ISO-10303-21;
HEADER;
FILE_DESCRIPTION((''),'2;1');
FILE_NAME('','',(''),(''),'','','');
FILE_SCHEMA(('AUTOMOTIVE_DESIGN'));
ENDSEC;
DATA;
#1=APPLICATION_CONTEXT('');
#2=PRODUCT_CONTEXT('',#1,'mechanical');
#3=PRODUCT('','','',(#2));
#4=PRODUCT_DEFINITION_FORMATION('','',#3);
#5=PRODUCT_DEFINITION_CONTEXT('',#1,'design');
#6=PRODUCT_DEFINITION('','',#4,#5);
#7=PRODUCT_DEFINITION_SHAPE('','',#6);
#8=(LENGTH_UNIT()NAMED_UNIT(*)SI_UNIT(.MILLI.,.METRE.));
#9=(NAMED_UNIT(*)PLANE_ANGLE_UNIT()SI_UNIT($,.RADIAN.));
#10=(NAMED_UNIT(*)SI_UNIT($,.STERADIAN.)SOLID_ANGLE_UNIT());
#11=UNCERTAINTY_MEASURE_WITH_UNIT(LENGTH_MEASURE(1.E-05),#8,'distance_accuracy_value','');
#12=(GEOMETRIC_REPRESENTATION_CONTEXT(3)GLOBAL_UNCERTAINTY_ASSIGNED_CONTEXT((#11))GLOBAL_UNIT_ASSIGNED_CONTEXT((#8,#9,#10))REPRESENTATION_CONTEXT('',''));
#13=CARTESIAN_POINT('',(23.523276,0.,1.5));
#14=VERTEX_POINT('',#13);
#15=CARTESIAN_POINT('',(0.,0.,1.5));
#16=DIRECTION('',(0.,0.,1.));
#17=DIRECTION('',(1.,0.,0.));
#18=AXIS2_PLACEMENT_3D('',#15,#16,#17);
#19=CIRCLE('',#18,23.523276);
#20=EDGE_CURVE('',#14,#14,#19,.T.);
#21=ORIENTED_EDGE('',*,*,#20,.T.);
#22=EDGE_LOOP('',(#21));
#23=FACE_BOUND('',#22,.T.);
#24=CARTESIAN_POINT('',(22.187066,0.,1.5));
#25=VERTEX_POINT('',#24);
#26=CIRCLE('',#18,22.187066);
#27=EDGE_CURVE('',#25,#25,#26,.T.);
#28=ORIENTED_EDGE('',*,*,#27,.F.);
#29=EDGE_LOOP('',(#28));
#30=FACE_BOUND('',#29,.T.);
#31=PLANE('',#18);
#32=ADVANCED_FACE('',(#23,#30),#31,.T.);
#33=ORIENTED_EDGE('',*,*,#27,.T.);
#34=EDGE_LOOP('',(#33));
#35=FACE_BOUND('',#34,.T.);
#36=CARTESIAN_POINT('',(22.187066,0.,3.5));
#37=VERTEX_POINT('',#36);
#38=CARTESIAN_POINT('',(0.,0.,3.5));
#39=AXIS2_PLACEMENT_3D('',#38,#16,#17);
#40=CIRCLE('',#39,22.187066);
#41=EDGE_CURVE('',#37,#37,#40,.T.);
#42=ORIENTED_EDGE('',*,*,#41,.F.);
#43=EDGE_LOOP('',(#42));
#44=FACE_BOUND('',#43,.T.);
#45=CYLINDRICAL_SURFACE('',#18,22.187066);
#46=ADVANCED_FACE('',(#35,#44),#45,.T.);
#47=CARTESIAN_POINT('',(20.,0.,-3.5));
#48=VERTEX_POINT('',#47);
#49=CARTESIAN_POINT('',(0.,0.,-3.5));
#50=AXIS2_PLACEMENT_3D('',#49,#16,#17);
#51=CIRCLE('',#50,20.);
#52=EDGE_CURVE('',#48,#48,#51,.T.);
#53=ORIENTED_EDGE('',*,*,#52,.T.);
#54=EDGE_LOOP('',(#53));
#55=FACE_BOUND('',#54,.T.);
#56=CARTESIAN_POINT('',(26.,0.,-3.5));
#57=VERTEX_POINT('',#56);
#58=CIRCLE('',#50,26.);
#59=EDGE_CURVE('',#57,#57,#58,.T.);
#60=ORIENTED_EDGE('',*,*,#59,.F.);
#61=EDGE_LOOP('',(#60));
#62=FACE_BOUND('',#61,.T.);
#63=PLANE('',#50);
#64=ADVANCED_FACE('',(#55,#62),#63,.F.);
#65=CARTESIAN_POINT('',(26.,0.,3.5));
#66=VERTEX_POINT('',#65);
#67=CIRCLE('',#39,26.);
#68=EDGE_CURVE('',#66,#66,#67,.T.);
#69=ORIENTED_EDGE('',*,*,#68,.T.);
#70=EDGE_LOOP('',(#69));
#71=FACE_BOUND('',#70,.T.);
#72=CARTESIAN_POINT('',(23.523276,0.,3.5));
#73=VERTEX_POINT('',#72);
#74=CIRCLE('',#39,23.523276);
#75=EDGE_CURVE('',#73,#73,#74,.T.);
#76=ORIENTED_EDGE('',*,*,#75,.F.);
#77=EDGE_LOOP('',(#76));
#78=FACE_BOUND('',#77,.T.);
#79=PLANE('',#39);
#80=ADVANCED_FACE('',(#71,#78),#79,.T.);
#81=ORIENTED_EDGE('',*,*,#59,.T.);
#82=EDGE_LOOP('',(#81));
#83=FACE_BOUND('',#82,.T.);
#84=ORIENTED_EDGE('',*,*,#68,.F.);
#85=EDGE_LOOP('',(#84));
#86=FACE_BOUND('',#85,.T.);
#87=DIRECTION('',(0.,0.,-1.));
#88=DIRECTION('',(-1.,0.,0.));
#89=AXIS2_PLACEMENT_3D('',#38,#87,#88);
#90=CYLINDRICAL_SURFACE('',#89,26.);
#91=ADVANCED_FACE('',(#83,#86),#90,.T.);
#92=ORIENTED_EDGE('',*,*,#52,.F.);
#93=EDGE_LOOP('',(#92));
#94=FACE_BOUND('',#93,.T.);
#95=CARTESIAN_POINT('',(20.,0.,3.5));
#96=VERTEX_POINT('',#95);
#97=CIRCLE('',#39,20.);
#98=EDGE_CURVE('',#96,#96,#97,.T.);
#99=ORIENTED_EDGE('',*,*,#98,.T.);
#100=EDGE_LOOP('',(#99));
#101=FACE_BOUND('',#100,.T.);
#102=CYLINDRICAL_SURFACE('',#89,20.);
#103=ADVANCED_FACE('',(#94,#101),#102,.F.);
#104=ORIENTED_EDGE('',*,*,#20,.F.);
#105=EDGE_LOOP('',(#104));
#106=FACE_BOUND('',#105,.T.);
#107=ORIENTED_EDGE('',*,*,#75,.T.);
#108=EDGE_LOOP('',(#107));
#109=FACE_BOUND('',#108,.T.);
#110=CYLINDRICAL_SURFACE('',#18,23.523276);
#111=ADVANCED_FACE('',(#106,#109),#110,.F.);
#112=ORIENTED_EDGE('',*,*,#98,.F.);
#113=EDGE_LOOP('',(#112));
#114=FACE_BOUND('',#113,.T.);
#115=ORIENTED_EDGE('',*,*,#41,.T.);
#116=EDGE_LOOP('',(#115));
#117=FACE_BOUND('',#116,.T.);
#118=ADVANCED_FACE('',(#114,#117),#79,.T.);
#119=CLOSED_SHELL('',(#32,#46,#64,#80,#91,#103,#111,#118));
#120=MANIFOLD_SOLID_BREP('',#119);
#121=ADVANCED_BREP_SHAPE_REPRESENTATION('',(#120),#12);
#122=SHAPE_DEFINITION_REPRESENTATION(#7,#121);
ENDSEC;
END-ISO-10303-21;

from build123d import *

# Parameters (mm, degrees)
SKETCH_1_R          = 26
SKETCH_1_R_2        = 20
EXTRUDE_1_DEPTH     = 3.5
SKETCH_2_R          = 23.523275985
SKETCH_2_R_2        = 22.187065931
CUT_EXTRUDE_3_DEPTH = 2


with BuildPart() as part:
    # 草图1 → 凸台-拉伸1 (new, symmetric)
    with BuildSketch(Plane.XY):
        Circle(SKETCH_1_R)
        Circle(SKETCH_1_R_2, mode=Mode.SUBTRACT)
    extrude(amount=EXTRUDE_1_DEPTH, both=True)

    # 草图2 → 切除-拉伸3 (cut)
    with BuildSketch(Plane.XY.offset(3.5)):
        Circle(SKETCH_2_R)
        Circle(SKETCH_2_R_2, mode=Mode.SUBTRACT)
    extrude(amount=-CUT_EXTRUDE_3_DEPTH, mode=Mode.SUBTRACT)


solid = part.part
